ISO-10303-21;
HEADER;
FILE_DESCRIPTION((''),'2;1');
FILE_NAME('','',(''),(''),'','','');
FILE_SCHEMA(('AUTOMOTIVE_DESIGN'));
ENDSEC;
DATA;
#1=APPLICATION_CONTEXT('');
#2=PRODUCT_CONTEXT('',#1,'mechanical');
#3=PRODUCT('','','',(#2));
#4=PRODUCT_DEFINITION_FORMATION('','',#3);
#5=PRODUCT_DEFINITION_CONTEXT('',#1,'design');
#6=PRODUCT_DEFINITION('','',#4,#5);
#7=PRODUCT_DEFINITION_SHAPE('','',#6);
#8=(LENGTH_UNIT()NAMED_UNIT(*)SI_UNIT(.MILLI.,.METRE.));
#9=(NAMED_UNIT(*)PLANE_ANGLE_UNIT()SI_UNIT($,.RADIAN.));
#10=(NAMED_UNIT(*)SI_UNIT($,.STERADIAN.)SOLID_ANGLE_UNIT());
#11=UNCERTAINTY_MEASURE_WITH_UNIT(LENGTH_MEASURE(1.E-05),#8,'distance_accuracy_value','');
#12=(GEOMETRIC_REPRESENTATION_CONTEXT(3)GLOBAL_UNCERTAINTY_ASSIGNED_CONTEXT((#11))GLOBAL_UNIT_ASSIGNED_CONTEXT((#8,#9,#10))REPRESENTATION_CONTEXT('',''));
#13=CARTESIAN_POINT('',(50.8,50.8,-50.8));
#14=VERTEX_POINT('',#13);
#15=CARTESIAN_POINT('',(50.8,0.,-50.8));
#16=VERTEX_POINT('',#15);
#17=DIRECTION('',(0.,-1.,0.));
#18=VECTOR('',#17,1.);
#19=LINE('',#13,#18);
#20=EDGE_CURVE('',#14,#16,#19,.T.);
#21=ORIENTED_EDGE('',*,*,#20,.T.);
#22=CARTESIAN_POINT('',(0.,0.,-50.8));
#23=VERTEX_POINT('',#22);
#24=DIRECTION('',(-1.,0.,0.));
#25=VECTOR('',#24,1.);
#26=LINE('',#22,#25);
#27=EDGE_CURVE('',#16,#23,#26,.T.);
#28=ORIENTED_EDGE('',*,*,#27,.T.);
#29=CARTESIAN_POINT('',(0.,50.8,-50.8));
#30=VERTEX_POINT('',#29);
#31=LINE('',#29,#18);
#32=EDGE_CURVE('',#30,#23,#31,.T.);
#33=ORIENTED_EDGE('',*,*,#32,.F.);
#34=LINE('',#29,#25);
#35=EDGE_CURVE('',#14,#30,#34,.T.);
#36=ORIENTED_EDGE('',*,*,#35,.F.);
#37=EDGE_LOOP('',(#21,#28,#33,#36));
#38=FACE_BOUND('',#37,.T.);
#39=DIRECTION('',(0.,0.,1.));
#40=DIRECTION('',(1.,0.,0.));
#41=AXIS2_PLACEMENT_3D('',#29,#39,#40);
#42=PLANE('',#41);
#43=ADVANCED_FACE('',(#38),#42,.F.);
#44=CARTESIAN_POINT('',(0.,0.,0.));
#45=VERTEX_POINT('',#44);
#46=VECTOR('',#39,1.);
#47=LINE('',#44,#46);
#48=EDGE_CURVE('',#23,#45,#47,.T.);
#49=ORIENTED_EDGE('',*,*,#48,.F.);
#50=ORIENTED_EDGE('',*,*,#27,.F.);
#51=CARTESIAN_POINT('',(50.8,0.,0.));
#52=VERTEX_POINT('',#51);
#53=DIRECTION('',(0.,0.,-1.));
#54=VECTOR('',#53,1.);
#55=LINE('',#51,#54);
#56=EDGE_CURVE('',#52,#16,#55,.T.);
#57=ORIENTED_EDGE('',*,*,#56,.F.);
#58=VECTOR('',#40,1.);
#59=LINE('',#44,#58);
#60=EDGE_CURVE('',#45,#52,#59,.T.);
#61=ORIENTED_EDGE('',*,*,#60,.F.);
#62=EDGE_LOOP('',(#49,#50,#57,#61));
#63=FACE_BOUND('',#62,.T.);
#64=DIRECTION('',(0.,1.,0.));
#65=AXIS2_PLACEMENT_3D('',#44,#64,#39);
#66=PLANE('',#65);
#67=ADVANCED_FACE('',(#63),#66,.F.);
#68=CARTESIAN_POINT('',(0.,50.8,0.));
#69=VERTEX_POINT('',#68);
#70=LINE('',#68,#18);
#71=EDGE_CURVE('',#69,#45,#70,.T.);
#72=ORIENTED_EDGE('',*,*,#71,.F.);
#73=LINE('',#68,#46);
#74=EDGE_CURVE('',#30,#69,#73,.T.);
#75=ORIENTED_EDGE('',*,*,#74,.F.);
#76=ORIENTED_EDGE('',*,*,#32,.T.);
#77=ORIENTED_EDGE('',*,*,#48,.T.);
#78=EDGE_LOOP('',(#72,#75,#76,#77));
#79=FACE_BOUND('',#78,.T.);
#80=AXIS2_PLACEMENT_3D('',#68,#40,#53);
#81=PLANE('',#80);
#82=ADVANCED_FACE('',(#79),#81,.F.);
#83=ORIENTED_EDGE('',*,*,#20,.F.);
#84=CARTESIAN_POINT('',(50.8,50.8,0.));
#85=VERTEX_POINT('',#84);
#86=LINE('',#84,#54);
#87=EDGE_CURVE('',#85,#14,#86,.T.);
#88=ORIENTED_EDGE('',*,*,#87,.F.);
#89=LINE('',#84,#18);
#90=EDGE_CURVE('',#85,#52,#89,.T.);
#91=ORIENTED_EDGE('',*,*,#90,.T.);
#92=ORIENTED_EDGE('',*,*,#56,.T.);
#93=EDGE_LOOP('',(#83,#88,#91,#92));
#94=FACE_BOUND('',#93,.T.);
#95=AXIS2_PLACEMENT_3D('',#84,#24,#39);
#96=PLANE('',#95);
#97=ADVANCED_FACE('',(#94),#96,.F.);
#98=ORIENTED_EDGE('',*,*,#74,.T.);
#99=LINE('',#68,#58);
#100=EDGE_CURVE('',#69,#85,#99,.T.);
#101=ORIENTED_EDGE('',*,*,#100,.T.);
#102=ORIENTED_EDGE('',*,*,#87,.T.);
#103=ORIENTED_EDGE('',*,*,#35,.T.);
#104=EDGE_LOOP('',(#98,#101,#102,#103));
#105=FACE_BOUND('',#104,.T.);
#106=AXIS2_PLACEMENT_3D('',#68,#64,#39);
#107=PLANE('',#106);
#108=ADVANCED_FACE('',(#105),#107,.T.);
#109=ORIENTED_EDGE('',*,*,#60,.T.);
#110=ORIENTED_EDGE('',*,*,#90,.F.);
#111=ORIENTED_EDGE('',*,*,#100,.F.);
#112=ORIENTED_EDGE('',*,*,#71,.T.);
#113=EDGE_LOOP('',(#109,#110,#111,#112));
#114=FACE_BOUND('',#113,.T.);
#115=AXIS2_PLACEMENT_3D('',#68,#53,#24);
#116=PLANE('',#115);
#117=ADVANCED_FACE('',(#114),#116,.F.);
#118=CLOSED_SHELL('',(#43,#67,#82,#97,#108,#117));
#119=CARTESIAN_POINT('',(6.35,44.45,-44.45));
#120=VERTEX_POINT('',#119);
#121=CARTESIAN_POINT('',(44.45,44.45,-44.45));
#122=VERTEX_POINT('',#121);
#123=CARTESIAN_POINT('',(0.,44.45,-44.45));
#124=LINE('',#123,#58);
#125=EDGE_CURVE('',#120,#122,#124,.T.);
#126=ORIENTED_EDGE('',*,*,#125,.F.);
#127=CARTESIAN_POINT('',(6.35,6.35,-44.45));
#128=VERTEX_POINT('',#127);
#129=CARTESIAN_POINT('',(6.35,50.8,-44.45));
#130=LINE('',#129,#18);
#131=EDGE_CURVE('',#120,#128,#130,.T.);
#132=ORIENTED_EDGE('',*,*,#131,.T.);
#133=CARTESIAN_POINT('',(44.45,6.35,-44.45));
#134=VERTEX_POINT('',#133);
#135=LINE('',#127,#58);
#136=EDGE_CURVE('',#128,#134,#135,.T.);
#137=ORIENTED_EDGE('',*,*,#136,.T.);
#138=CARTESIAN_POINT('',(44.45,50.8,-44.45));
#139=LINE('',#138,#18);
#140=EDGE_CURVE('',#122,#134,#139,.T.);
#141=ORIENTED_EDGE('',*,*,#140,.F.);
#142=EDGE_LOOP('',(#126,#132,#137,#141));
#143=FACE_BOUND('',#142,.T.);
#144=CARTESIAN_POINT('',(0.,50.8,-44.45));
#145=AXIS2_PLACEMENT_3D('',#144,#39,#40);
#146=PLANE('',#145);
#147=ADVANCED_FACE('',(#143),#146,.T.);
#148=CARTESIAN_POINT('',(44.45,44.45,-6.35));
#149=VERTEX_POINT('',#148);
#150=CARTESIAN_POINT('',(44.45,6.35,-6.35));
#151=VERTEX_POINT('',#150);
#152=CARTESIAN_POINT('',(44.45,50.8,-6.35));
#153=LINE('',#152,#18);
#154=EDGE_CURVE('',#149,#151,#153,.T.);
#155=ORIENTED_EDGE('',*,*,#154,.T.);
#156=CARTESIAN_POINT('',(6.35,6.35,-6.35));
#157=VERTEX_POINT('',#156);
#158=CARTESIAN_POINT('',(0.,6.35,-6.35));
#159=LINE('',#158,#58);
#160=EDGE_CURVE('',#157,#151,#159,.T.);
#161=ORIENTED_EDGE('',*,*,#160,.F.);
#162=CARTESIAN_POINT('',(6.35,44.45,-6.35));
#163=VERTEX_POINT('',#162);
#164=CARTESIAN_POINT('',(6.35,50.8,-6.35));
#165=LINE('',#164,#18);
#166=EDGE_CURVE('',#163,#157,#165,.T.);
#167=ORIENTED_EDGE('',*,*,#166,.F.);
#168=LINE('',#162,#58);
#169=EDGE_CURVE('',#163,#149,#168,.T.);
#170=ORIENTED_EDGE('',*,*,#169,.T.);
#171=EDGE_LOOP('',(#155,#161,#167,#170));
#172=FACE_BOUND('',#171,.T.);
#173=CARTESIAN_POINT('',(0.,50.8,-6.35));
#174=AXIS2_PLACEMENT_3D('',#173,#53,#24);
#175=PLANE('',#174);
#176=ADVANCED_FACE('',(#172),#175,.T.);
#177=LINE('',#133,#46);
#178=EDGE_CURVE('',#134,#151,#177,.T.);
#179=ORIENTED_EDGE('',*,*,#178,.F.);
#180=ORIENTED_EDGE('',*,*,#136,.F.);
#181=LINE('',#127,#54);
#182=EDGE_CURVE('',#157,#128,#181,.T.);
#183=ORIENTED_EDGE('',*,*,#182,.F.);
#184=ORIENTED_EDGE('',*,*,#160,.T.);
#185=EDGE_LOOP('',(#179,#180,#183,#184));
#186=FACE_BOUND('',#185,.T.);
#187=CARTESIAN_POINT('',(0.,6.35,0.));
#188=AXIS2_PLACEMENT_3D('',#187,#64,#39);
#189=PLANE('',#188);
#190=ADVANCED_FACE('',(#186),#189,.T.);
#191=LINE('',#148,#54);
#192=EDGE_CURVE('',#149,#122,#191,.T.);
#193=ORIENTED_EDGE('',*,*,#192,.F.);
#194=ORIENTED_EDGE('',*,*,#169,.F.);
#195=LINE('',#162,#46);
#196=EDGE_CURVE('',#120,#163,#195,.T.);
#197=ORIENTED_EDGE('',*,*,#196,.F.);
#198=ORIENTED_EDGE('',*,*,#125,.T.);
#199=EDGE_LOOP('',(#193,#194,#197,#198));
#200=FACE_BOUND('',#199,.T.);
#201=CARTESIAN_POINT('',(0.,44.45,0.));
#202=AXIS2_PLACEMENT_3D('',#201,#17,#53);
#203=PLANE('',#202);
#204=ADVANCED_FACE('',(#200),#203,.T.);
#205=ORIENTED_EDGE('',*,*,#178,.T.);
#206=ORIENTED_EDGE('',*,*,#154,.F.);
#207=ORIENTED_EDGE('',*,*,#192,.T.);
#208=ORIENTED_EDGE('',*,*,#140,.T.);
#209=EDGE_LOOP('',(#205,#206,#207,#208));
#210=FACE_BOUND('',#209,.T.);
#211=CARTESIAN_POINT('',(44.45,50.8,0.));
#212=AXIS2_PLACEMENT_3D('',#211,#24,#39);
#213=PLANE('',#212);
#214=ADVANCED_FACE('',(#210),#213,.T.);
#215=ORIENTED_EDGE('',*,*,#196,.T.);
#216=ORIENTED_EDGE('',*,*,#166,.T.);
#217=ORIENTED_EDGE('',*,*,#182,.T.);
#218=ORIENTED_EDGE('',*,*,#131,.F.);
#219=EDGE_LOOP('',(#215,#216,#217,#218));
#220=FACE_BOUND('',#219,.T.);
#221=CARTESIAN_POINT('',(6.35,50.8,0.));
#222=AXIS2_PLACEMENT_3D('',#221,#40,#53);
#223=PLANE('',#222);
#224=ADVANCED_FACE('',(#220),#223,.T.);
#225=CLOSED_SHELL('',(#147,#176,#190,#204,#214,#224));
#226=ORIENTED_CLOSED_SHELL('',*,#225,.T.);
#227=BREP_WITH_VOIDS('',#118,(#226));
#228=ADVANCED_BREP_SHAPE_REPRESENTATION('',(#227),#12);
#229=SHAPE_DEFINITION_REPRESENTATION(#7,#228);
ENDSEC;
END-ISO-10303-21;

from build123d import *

# Parameters (mm, degrees)
SKETCH1_W           = 50.8
SKETCH1_H           = 50.8
SKETCH1_W_2         = 38.1
SKETCH1_H_2         = 38.1
EXTRUDE_THIN1_DEPTH = 50.8
SKETCH2_W           = 38.1
SKETCH2_H           = 38.108160065
BOSS_EXTRUDE1_DEPTH = 6.35
SKETCH3_W           = 38.1
SKETCH3_H           = 38.108160065
BOSS_EXTRUDE3_DEPTH = 6.35


with BuildPart() as part:
    # Sketch1 → Extrude-Thin1 (new body)
    with BuildSketch(Plane(origin=(0, 0, 0), x_dir=(1, 0, 0), z_dir=(0, 1, 0))):
        with Locations((25.4, 25.4)):
            Rectangle(SKETCH1_W, SKETCH1_H)
        with Locations((25.4, 25.4)):
            Rectangle(SKETCH1_W_2, SKETCH1_H_2, mode=Mode.SUBTRACT)
    extrude(amount=EXTRUDE_THIN1_DEPTH)

    # Sketch2 → Boss-Extrude1 (add)
    with BuildSketch(Plane(origin=(0, 50.8, 0), x_dir=(1, 0, 0), z_dir=(0, 1, 0))):
        with Locations((25.4, 25.404080033)):
            Rectangle(SKETCH2_W, SKETCH2_H)
    extrude(amount=-BOSS_EXTRUDE1_DEPTH)

    # Sketch3 → Boss-Extrude3 (add)
    with BuildSketch(Plane.XZ):
        with Locations((25.4, -25.395919968)):
            Rectangle(SKETCH3_W, SKETCH3_H)
    extrude(amount=-BOSS_EXTRUDE3_DEPTH)


solid = part.part
